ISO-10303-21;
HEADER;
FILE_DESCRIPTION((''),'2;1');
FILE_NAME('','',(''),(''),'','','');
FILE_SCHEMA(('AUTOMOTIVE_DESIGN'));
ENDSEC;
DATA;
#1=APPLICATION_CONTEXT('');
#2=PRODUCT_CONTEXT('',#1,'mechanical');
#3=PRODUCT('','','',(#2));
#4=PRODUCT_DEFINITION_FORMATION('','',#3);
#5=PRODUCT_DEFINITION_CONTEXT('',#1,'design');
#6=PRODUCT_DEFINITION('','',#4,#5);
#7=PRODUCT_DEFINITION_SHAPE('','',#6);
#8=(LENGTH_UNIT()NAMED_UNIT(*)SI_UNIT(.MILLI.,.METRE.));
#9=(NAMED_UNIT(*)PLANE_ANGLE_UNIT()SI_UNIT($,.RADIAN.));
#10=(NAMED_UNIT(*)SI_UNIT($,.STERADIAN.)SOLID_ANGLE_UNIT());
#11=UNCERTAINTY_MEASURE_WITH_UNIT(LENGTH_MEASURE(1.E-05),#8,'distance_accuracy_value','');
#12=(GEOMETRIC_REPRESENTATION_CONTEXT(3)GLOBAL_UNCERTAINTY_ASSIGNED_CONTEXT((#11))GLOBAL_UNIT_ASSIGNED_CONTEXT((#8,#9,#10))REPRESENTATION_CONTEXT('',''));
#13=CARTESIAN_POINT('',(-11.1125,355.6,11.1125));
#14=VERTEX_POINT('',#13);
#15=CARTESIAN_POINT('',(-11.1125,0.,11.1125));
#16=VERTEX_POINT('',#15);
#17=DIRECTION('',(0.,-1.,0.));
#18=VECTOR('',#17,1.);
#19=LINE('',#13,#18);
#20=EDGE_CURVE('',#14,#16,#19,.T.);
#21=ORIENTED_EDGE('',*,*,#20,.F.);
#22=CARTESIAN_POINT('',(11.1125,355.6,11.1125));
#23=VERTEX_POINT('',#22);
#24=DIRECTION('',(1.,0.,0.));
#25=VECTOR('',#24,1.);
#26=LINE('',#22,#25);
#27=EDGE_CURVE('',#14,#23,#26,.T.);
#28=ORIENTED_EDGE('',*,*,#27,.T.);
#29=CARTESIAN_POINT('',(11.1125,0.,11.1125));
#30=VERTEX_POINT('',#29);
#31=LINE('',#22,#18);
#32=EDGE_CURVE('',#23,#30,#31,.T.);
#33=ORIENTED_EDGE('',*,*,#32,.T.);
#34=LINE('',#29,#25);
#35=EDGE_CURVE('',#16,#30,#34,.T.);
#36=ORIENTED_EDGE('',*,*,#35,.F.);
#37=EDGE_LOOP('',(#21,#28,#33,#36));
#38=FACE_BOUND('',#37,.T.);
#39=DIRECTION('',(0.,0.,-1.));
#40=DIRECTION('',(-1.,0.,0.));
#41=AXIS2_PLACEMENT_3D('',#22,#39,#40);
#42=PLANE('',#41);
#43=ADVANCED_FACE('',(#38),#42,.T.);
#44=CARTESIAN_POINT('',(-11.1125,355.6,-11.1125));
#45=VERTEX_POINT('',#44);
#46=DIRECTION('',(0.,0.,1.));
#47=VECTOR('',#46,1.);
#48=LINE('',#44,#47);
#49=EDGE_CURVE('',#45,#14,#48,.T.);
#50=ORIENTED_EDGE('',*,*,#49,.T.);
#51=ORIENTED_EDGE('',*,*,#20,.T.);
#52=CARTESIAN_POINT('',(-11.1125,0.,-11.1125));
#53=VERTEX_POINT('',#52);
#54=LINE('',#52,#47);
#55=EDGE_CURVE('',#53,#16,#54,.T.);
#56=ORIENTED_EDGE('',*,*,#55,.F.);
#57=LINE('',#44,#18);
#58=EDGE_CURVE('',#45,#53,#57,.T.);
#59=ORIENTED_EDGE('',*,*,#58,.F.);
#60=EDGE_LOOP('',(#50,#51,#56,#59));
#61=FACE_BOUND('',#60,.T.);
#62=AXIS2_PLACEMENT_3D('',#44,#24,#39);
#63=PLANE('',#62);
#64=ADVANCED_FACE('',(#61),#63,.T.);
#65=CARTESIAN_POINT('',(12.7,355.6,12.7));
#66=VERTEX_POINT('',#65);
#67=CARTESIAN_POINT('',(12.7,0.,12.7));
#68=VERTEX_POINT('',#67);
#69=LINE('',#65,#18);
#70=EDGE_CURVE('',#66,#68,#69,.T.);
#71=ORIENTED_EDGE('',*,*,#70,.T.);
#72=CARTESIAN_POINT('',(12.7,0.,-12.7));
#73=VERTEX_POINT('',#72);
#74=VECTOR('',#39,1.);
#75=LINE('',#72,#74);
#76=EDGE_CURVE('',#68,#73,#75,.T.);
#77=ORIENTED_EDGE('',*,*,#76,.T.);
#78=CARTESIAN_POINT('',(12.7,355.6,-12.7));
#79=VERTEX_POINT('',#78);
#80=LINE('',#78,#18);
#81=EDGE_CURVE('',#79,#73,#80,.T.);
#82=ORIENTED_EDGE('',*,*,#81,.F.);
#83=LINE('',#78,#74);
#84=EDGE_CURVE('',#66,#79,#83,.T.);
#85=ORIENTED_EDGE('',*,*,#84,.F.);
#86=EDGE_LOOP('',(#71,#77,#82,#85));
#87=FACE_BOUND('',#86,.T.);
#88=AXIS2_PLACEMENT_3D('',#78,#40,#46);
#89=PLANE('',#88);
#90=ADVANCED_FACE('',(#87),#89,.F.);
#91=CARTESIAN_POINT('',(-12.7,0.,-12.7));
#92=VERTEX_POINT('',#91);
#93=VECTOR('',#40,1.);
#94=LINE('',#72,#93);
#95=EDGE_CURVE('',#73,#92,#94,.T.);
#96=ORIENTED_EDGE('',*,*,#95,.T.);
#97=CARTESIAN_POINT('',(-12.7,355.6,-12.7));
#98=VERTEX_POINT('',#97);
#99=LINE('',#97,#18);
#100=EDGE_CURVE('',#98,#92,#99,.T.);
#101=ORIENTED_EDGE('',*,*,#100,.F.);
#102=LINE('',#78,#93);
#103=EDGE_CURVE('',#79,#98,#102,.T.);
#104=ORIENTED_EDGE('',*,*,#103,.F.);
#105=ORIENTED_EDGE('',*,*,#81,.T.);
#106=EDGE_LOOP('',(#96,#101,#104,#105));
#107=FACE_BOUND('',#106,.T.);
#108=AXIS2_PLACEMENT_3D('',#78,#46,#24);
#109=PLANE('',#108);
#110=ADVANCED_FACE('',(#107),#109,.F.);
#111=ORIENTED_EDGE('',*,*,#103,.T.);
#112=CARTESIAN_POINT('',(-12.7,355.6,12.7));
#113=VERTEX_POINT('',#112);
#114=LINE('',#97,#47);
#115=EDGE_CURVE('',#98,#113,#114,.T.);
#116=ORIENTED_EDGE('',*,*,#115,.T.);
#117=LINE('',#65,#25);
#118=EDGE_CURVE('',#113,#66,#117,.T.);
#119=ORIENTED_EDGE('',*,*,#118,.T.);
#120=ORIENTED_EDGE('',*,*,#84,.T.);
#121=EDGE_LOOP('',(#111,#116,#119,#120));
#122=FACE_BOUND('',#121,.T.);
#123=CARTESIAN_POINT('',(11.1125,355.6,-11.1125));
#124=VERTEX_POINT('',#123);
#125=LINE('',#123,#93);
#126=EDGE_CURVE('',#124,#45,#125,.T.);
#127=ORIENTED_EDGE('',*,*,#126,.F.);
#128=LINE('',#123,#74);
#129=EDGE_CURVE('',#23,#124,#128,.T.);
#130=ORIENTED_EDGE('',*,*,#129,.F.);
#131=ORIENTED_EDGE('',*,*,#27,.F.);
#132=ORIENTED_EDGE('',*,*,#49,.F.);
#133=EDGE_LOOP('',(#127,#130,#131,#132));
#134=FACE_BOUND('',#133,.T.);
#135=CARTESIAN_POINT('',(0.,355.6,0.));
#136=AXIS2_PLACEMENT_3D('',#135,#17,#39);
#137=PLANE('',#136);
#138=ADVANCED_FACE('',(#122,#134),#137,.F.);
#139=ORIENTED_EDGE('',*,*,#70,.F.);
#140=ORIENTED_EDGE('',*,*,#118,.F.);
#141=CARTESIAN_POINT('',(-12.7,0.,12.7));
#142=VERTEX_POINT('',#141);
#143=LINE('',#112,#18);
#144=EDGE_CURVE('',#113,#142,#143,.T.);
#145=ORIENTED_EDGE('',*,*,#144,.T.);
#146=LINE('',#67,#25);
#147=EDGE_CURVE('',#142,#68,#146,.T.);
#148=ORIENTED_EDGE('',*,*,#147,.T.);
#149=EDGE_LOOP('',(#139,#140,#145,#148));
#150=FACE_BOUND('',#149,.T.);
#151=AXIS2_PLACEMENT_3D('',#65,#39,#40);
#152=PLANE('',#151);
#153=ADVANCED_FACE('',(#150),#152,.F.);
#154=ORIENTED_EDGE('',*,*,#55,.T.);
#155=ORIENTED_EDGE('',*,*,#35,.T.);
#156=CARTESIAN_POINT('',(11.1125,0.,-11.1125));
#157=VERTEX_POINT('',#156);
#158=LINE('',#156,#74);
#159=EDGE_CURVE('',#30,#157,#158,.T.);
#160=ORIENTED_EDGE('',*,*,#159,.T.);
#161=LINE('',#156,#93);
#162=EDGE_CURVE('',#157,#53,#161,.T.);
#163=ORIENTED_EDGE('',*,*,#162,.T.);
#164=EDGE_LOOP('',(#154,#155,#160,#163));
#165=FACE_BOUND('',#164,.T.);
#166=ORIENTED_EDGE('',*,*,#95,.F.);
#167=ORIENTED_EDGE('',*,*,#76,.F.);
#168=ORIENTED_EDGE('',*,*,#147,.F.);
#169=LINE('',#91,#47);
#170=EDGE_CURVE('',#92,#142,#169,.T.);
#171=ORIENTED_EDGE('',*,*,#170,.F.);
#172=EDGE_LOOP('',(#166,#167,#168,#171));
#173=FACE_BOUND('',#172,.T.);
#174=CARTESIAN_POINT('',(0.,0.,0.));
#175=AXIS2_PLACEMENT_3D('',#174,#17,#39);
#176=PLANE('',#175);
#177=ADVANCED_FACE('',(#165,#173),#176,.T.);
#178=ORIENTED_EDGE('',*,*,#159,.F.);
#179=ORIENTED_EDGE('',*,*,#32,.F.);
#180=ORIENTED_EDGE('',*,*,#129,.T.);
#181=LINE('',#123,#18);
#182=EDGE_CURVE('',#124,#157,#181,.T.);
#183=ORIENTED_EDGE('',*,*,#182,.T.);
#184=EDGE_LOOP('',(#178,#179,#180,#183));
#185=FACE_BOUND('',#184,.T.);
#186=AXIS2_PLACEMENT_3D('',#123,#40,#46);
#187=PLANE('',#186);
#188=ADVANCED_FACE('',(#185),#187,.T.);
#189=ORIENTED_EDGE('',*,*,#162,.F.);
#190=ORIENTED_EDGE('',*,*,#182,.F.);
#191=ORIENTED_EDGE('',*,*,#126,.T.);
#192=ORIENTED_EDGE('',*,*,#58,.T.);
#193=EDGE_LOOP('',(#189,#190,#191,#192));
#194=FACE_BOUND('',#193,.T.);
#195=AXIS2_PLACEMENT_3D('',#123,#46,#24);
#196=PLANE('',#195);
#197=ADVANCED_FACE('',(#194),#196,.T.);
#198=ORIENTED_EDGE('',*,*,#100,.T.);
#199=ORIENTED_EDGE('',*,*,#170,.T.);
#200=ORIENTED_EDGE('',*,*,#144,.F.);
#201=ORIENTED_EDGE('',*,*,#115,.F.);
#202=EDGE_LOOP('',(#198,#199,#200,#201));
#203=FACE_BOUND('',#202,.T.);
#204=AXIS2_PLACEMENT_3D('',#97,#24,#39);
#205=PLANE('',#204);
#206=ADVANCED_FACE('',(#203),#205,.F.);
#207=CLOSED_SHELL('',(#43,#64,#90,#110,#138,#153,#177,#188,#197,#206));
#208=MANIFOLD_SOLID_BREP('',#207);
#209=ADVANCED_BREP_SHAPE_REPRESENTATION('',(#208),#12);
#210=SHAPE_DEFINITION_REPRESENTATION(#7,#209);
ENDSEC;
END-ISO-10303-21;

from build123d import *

# Parameters (mm, degrees)
SKETCH1_W           = 25.4
SKETCH1_H           = 25.4
SKETCH1_W_2         = 22.225
SKETCH1_H_2         = 22.225
BOSS_EXTRUDE1_DEPTH = 355.6


with BuildPart() as part:
    # Sketch1 → Boss-Extrude1 (new body)
    with BuildSketch(Plane(origin=(0, 0, 0), x_dir=(1, 0, 0), z_dir=(0, 1, 0))):
        Rectangle(SKETCH1_W, SKETCH1_H)
        Rectangle(SKETCH1_W_2, SKETCH1_H_2, mode=Mode.SUBTRACT)
    extrude(amount=BOSS_EXTRUDE1_DEPTH)


solid = part.part
